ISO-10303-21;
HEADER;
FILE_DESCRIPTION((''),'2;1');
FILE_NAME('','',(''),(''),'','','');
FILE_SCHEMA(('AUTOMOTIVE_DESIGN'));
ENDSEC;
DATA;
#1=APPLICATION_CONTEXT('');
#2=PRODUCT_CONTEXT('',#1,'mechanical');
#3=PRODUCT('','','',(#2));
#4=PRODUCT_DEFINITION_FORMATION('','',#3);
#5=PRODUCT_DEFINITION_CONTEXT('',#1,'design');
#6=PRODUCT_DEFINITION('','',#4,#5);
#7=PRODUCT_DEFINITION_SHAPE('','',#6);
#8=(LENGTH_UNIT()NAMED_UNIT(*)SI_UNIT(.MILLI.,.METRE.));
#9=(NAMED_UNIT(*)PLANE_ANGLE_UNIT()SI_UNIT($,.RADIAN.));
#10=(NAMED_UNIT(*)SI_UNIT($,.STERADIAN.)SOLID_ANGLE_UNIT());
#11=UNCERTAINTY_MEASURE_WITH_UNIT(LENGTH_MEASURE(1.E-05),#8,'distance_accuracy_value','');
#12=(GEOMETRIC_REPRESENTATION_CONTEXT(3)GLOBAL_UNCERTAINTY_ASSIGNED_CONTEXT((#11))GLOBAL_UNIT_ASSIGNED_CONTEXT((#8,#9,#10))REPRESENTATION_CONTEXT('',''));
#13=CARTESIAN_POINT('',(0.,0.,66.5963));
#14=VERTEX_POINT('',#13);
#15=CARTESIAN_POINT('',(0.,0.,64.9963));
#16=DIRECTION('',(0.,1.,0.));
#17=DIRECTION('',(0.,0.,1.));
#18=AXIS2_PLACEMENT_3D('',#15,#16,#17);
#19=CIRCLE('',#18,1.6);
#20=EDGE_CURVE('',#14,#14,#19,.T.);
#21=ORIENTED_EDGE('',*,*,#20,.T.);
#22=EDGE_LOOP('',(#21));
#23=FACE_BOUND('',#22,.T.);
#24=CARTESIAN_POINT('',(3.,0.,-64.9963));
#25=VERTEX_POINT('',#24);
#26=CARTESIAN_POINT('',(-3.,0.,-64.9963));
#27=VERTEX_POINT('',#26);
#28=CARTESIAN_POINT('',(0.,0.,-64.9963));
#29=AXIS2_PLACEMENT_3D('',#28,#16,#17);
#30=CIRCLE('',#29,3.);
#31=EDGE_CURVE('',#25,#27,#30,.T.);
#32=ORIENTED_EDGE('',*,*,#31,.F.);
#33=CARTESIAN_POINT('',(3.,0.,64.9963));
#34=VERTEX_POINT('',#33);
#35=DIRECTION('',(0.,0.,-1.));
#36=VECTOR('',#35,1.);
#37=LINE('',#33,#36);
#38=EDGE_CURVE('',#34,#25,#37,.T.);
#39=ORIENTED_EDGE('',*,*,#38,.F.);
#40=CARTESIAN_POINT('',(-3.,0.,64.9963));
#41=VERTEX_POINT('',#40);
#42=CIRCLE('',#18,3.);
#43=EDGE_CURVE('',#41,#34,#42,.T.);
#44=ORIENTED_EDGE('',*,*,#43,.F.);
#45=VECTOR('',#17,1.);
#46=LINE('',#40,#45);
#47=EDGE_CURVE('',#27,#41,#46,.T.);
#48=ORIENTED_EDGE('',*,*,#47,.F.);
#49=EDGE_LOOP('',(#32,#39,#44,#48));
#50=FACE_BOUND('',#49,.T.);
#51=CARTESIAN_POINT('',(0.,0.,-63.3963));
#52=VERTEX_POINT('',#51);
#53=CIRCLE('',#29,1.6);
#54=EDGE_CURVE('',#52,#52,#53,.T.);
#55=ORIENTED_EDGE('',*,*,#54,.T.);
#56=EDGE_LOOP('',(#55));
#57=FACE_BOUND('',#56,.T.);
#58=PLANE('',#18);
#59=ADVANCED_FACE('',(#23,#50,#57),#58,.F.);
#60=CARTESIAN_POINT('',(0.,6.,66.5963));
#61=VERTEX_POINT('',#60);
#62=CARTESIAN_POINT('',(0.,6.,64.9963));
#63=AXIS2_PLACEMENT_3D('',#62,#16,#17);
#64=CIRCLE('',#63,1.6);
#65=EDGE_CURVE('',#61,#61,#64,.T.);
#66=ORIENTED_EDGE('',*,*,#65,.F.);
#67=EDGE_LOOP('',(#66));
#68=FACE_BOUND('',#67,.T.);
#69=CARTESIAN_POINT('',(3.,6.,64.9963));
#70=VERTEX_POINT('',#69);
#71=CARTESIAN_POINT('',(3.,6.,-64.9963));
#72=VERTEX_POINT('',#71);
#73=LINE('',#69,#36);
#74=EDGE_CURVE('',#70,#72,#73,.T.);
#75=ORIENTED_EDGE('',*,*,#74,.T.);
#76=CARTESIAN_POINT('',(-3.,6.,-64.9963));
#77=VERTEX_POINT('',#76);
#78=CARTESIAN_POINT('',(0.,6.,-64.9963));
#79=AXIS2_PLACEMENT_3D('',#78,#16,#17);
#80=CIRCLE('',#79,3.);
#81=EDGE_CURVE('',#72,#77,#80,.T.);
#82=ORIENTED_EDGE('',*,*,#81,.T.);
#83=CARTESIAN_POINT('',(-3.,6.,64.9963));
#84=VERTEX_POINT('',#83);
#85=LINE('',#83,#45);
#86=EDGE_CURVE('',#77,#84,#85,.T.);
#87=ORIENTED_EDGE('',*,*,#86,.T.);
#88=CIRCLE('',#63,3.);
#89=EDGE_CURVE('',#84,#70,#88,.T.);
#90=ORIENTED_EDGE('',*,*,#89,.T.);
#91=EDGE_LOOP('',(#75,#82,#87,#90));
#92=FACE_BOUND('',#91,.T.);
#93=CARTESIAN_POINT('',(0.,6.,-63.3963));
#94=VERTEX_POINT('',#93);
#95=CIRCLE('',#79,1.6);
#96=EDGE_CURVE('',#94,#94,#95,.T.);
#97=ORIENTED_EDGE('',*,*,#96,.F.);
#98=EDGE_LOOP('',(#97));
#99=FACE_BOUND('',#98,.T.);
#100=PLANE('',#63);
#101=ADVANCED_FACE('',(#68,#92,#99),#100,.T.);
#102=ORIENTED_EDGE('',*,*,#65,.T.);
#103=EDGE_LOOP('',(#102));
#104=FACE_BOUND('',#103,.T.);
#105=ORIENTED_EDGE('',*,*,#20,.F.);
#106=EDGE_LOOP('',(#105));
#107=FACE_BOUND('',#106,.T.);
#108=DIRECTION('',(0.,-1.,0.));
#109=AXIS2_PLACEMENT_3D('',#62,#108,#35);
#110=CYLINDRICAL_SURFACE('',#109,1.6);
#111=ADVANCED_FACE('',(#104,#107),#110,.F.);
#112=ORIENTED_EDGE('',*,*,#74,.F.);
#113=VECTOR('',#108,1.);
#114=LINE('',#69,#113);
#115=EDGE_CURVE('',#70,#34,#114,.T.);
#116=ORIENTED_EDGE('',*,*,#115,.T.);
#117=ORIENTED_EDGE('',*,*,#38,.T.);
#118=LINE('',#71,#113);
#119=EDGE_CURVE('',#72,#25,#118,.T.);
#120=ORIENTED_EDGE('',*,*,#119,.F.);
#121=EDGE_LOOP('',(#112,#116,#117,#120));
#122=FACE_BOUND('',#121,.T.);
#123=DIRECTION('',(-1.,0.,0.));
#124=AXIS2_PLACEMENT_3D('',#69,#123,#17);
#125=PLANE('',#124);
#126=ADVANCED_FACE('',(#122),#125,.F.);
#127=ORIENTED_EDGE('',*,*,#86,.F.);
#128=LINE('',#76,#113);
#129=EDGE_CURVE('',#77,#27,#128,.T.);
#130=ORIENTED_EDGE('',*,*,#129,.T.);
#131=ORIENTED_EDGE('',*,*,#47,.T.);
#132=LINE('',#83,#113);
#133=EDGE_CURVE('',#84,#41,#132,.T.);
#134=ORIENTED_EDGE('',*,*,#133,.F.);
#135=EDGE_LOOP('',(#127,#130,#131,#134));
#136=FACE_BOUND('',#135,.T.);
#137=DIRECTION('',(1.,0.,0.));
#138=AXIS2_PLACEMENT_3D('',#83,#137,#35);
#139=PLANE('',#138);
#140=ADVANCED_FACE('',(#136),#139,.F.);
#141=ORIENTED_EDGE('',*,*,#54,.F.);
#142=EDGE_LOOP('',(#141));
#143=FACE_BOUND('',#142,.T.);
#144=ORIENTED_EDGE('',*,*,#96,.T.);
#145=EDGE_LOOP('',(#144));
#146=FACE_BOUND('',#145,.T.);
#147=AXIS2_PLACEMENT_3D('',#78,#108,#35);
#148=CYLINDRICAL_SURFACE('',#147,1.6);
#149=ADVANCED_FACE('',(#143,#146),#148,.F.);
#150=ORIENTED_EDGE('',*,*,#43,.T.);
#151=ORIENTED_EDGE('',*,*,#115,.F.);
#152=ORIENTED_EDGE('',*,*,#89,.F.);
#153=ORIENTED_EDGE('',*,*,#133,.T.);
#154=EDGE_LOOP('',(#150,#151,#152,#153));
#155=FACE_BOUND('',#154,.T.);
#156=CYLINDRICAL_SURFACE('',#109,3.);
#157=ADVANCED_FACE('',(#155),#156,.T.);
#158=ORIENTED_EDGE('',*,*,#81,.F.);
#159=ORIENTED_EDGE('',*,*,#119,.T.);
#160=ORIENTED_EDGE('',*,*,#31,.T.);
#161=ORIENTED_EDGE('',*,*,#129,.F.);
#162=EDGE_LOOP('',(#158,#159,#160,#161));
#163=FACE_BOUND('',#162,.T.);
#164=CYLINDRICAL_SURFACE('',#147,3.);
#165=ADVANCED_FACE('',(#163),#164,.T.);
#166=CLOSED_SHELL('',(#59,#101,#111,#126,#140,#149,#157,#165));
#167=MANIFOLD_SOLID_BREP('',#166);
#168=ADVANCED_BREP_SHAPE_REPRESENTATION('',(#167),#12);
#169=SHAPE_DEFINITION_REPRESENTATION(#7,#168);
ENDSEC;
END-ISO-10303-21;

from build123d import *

# Parameters (mm, degrees)
SKETCH_1_R      = 1.6
EXTRUDE_1_DEPTH = 6


with BuildPart() as part:
    # 草图1 → 凸台-拉伸1 (new body)
    with BuildSketch(Plane(origin=(0, 0, 0), x_dir=(1, 0, 0), z_dir=(0, 1, 0))):
        with BuildLine():
            Line((-3, -64.996300345), (-3, 64.996300345))
            ThreePointArc((-3, 64.996300345), (0, 67.996300345), (3, 64.996300345))
            Line((3, 64.996300345), (3, -64.996300345))
            ThreePointArc((3, -64.996300345), (0, -67.996300345), (-3, -64.996300345))
        make_face()
        with Locations(Location((0, 64.996300345, 0), (0, 0, 270))):
            Circle(SKETCH_1_R, mode=Mode.SUBTRACT)
        with Locations(Location((0, -64.996300345, 0), (0, 0, 270))):
            Circle(SKETCH_1_R, mode=Mode.SUBTRACT)
    extrude(amount=EXTRUDE_1_DEPTH)


solid = part.part
